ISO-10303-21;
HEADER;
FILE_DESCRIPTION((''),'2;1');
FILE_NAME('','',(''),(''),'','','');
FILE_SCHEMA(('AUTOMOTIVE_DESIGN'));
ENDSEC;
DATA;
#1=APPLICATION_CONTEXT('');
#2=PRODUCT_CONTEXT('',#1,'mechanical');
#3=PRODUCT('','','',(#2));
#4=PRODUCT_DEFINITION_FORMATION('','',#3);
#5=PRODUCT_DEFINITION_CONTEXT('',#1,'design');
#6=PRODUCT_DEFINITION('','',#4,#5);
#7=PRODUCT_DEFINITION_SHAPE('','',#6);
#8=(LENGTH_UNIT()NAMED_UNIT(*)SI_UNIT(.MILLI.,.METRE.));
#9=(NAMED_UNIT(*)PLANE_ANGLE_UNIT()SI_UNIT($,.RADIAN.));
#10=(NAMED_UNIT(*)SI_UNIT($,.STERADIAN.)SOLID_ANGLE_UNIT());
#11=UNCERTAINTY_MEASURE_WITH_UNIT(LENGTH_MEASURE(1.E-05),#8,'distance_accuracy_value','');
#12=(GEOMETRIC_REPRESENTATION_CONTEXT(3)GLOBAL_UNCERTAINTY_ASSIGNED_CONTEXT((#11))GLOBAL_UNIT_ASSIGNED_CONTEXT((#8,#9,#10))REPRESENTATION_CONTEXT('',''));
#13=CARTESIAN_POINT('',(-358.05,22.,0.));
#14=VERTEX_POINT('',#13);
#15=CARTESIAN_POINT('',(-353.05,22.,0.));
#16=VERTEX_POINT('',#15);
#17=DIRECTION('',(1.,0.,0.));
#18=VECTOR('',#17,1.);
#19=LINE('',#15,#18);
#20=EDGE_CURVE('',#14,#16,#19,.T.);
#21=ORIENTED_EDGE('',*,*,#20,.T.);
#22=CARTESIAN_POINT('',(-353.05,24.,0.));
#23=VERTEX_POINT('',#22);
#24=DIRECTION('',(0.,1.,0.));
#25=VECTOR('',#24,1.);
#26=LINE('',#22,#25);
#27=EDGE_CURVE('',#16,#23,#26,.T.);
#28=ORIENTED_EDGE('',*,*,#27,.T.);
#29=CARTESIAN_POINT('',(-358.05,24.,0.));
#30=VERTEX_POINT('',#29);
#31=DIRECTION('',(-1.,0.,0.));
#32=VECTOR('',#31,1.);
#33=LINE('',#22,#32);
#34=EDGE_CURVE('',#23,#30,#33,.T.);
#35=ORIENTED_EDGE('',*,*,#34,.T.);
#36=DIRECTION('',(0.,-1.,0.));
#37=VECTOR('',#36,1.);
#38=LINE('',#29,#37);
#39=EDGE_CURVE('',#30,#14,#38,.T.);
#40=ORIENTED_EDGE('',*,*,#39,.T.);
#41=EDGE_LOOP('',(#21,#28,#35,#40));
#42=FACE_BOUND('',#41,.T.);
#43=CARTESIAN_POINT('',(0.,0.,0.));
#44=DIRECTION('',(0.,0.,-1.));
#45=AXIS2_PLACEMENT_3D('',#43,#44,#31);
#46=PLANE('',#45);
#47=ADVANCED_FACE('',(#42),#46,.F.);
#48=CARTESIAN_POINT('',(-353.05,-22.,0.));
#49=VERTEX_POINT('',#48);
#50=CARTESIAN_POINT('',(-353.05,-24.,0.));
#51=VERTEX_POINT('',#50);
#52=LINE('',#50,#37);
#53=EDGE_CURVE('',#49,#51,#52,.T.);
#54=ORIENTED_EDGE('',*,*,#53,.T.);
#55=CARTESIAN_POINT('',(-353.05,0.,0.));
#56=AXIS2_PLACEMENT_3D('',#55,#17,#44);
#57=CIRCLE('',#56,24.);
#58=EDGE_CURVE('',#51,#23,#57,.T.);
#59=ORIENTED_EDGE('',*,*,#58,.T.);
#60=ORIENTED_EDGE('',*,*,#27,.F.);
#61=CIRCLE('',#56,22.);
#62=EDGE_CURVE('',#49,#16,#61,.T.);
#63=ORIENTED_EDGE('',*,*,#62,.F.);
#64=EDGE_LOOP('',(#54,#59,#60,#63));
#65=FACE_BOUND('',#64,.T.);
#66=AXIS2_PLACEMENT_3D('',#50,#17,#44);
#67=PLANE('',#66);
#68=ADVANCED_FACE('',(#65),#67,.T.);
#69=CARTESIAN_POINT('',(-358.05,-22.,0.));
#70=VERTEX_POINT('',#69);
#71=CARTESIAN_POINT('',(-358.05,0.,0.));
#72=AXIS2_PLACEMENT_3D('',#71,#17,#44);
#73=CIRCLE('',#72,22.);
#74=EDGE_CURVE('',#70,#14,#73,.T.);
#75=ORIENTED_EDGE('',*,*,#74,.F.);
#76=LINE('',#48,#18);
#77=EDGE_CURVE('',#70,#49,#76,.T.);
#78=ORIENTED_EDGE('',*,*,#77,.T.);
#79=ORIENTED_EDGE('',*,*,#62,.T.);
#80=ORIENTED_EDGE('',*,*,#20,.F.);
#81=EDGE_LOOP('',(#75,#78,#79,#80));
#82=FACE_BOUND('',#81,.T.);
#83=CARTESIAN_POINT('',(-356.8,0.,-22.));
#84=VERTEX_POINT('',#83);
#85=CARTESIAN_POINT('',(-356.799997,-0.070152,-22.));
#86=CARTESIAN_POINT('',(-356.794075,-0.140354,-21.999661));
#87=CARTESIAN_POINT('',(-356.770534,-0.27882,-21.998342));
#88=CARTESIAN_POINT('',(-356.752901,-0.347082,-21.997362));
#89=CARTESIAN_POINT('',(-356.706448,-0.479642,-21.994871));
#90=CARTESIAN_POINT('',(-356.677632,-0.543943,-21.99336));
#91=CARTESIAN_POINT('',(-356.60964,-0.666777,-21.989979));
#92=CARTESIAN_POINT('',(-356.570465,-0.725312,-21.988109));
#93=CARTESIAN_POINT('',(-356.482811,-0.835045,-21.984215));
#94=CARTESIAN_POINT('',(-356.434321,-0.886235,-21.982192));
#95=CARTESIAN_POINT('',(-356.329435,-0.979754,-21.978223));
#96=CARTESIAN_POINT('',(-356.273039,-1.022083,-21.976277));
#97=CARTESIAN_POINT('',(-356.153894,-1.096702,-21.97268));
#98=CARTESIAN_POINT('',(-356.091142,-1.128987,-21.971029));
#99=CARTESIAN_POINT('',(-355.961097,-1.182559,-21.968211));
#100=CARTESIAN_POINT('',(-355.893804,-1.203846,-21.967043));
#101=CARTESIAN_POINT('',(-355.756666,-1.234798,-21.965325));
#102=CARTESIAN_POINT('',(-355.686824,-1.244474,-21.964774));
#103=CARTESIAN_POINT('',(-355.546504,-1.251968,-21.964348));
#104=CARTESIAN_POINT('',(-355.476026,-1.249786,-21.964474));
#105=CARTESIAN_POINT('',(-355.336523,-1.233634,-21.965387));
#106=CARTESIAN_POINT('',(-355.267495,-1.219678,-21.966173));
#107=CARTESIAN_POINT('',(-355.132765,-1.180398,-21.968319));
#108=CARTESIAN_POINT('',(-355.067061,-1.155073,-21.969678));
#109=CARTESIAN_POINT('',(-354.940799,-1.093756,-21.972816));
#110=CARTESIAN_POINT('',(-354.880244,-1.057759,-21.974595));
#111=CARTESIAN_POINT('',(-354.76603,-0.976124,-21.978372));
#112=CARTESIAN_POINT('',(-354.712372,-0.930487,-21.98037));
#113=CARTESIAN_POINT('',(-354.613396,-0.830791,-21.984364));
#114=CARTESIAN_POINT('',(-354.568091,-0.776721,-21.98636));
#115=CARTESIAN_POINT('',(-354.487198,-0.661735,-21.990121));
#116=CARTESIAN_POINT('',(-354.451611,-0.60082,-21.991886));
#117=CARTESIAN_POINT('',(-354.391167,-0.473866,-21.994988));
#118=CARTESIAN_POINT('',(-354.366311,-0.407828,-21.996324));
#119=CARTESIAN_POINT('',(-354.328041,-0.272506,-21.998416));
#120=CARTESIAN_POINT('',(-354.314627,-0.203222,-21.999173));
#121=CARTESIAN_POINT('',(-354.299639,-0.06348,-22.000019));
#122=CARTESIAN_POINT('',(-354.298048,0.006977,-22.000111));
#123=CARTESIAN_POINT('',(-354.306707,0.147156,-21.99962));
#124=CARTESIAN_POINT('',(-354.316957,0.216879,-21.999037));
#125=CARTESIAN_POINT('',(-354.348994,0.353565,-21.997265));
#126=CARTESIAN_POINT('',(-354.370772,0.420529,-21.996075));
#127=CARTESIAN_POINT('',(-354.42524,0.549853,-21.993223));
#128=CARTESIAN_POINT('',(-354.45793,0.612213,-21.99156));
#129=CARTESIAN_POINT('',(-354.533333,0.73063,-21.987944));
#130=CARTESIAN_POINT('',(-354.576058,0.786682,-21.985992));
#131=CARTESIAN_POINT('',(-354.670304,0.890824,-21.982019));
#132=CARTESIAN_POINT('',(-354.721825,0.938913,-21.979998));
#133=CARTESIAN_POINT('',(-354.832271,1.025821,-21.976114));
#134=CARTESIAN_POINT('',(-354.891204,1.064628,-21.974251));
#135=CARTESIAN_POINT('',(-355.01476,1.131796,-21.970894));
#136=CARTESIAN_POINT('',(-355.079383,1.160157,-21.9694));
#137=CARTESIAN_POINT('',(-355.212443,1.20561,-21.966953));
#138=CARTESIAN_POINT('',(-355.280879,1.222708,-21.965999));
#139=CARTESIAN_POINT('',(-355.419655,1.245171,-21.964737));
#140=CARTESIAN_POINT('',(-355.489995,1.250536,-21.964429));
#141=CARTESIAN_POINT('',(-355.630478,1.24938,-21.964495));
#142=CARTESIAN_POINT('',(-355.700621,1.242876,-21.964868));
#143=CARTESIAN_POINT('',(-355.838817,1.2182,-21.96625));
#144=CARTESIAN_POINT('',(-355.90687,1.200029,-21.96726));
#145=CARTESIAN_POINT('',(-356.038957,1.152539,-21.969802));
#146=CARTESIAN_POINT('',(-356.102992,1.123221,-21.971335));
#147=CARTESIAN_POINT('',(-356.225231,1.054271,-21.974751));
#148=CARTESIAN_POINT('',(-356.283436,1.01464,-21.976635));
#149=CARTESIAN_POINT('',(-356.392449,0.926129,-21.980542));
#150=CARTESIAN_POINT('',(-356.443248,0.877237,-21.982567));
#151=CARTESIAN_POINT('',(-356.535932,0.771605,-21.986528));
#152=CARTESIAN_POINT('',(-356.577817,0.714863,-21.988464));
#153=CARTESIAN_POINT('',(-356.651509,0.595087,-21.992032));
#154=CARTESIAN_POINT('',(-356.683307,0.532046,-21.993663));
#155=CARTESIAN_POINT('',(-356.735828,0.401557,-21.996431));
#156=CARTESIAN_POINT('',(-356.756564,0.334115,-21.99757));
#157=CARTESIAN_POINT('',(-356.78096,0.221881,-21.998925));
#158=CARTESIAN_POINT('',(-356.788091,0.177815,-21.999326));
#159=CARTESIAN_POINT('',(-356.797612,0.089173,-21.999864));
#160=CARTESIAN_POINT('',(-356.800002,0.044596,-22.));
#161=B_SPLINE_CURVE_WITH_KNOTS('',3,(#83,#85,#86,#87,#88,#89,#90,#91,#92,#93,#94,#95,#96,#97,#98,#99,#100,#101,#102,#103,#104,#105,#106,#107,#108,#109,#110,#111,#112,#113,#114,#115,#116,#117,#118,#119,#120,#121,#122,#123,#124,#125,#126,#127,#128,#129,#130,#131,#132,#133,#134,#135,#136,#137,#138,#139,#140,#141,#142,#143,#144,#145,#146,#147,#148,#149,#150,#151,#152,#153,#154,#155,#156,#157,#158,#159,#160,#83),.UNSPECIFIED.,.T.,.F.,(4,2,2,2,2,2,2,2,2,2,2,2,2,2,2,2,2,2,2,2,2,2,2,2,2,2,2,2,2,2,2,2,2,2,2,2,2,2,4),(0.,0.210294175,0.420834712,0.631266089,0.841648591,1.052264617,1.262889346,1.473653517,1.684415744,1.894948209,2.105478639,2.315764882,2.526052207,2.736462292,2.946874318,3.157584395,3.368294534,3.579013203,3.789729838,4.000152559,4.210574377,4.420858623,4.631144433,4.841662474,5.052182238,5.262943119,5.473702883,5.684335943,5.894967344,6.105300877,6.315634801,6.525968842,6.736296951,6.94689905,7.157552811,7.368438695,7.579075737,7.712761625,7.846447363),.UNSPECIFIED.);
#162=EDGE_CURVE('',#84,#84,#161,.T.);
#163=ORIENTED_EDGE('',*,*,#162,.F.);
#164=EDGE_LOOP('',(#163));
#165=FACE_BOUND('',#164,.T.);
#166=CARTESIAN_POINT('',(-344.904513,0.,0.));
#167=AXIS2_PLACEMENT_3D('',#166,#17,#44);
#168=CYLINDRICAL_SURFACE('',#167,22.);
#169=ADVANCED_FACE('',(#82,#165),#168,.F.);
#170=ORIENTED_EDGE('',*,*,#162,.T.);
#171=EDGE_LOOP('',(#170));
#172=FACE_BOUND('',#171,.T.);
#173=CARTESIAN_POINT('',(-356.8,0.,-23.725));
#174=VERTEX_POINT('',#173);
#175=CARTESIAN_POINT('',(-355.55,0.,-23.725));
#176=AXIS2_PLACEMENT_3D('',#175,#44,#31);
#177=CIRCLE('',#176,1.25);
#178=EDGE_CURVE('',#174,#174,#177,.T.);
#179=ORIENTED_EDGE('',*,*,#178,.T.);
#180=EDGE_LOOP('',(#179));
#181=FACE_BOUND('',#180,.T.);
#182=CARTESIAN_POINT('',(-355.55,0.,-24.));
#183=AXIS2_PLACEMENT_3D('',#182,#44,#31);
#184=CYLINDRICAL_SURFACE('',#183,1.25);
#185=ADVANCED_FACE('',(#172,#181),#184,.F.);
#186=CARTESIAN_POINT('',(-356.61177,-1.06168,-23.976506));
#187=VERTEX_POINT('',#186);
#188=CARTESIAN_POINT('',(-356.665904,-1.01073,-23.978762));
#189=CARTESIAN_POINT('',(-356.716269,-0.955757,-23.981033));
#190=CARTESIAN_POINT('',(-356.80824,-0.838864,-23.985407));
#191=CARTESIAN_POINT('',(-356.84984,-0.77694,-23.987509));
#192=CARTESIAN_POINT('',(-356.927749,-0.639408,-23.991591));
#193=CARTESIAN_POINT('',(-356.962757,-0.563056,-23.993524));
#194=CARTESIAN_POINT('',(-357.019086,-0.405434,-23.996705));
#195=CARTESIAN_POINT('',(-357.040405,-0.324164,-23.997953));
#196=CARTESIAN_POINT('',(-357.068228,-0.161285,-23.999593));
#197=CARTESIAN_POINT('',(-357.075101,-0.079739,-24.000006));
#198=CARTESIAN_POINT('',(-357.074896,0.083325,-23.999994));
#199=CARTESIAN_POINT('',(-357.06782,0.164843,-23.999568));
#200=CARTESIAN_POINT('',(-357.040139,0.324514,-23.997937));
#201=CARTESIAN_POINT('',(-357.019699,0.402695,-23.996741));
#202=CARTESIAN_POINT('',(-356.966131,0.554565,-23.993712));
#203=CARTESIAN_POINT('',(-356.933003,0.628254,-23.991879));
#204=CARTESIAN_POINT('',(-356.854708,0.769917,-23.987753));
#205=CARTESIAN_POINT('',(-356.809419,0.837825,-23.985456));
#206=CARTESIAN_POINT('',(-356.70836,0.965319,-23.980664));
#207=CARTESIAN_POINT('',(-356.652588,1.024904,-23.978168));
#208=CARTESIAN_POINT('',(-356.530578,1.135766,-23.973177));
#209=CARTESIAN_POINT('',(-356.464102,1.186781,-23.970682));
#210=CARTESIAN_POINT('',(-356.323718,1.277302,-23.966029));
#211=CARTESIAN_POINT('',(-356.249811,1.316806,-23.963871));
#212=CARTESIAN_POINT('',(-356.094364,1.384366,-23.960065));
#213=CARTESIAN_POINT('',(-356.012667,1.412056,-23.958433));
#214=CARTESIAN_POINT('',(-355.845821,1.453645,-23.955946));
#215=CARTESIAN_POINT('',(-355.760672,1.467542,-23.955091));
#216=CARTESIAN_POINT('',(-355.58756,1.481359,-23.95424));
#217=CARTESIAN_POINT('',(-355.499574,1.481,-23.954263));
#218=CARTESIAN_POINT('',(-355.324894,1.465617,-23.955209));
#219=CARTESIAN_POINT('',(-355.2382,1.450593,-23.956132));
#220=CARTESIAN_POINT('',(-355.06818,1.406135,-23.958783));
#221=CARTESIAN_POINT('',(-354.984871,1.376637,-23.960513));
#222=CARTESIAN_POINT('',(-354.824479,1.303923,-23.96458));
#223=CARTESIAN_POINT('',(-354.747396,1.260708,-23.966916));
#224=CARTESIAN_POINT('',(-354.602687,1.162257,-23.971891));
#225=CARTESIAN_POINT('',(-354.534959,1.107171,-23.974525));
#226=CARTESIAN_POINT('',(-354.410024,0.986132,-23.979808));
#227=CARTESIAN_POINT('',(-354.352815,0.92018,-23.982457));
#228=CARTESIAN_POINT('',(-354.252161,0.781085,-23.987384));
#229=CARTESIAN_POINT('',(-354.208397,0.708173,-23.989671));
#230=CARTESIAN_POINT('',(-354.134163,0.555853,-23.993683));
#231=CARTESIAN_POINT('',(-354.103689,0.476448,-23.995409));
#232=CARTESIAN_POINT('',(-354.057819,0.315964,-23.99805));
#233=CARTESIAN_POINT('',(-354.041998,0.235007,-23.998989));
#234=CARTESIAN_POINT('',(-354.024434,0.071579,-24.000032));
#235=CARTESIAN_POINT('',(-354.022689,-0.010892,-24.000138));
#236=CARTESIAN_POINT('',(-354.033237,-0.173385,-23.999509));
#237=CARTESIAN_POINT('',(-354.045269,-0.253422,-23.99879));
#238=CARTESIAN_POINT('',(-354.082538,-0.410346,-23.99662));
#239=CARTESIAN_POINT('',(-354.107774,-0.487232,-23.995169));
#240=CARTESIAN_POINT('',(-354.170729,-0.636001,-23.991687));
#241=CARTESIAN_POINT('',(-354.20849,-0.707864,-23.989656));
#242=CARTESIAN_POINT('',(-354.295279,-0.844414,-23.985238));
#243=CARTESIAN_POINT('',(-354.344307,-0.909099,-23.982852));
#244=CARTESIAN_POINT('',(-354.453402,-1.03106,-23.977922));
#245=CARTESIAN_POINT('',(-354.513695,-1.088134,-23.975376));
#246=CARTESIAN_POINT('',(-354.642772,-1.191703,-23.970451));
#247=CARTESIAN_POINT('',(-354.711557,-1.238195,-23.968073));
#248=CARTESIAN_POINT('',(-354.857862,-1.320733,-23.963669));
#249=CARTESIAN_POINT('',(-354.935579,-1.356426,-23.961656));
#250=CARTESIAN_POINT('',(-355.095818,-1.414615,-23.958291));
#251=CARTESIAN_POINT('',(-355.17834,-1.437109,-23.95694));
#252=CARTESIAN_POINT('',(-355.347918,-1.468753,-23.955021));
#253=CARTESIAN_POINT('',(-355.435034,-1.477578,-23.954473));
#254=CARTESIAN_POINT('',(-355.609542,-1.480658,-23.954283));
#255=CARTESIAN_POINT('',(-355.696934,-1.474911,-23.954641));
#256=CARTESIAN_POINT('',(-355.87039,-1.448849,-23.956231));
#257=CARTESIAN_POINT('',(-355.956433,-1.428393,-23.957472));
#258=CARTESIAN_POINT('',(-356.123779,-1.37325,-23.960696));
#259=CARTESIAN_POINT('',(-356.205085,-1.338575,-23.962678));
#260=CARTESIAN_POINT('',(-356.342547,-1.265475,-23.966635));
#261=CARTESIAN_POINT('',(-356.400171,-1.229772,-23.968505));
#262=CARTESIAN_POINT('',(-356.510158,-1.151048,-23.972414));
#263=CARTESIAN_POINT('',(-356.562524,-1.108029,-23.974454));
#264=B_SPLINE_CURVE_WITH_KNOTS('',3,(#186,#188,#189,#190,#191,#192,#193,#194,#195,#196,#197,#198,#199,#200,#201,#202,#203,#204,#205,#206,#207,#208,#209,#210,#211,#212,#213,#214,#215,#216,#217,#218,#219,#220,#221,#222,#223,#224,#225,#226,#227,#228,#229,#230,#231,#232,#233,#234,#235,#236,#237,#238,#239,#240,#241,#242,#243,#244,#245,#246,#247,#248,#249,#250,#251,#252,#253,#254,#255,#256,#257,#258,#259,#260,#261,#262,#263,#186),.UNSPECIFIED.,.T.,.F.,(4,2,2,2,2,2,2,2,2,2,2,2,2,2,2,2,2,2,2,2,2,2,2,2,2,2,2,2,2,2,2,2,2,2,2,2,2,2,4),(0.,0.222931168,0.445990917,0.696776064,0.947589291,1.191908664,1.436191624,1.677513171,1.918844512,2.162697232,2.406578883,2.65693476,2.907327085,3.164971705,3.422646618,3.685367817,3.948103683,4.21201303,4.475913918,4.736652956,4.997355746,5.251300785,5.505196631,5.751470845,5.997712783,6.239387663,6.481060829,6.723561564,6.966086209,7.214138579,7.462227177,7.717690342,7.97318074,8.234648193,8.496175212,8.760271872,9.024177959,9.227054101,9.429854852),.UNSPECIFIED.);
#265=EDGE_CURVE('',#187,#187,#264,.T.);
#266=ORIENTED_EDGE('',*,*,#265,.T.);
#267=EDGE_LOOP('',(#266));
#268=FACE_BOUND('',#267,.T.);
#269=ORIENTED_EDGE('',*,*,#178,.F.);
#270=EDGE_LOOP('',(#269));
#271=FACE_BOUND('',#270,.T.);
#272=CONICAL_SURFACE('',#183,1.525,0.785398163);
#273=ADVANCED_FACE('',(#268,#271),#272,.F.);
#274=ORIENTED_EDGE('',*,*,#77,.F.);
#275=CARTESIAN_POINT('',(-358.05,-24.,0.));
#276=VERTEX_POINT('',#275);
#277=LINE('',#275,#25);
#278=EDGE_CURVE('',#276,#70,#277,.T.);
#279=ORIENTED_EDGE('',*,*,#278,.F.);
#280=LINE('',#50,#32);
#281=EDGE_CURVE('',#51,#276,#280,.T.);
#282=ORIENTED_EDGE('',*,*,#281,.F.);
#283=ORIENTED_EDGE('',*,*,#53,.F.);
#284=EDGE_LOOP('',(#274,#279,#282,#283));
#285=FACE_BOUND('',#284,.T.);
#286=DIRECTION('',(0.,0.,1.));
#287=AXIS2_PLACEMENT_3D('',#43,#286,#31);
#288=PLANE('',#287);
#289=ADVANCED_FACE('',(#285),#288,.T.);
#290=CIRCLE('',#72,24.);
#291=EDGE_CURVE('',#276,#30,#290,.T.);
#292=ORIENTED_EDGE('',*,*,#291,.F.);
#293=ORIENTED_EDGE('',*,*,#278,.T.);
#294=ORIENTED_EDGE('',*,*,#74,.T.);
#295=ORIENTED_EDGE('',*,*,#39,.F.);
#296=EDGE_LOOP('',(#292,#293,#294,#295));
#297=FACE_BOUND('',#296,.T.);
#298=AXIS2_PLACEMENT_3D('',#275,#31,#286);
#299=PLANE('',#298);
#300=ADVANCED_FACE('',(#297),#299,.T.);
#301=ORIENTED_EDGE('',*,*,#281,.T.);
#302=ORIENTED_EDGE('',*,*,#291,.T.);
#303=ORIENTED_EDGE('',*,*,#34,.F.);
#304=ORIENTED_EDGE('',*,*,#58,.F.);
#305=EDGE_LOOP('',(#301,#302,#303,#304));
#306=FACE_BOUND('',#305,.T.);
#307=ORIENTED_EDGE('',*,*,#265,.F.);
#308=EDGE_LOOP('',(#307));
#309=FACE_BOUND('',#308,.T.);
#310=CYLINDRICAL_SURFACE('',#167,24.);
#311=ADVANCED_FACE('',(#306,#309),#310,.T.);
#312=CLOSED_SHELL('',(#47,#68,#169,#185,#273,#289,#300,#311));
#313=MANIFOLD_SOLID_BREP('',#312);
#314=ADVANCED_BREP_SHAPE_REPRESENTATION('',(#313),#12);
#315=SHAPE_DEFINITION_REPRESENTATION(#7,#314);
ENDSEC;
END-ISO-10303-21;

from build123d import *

# Parameters (mm, degrees)
SKICA1_W              = 5
SKICA1_H              = 2
ROTOVAT1_ANGLE        = 180
M3_Z_VIT1_D           = 2.5
M3_Z_VIT1_CSINK_D     = 3.05
M3_Z_VIT1_CSINK_ANGLE = 90


with BuildPart() as part:
    # Skica1 → Rotovat1 (revolve)
    with BuildSketch(Plane.XY):
        with Locations((-355.55, 23)):
            Rectangle(SKICA1_W, SKICA1_H)
    revolve(axis=Axis((-344.904513271, 0, 0), (-1, 0, 0)), revolution_arc=ROTOVAT1_ANGLE)

    # M3 závit1 (through all)
    with Locations(Plane(origin=(-355.55, 0, -24), x_dir=(-1, 0, 0), z_dir=(0, 0, -1))):
        with Locations((0, 0)):
            CounterSinkHole(M3_Z_VIT1_D / 2, M3_Z_VIT1_CSINK_D / 2, counter_sink_angle=M3_Z_VIT1_CSINK_ANGLE)


solid = part.part
